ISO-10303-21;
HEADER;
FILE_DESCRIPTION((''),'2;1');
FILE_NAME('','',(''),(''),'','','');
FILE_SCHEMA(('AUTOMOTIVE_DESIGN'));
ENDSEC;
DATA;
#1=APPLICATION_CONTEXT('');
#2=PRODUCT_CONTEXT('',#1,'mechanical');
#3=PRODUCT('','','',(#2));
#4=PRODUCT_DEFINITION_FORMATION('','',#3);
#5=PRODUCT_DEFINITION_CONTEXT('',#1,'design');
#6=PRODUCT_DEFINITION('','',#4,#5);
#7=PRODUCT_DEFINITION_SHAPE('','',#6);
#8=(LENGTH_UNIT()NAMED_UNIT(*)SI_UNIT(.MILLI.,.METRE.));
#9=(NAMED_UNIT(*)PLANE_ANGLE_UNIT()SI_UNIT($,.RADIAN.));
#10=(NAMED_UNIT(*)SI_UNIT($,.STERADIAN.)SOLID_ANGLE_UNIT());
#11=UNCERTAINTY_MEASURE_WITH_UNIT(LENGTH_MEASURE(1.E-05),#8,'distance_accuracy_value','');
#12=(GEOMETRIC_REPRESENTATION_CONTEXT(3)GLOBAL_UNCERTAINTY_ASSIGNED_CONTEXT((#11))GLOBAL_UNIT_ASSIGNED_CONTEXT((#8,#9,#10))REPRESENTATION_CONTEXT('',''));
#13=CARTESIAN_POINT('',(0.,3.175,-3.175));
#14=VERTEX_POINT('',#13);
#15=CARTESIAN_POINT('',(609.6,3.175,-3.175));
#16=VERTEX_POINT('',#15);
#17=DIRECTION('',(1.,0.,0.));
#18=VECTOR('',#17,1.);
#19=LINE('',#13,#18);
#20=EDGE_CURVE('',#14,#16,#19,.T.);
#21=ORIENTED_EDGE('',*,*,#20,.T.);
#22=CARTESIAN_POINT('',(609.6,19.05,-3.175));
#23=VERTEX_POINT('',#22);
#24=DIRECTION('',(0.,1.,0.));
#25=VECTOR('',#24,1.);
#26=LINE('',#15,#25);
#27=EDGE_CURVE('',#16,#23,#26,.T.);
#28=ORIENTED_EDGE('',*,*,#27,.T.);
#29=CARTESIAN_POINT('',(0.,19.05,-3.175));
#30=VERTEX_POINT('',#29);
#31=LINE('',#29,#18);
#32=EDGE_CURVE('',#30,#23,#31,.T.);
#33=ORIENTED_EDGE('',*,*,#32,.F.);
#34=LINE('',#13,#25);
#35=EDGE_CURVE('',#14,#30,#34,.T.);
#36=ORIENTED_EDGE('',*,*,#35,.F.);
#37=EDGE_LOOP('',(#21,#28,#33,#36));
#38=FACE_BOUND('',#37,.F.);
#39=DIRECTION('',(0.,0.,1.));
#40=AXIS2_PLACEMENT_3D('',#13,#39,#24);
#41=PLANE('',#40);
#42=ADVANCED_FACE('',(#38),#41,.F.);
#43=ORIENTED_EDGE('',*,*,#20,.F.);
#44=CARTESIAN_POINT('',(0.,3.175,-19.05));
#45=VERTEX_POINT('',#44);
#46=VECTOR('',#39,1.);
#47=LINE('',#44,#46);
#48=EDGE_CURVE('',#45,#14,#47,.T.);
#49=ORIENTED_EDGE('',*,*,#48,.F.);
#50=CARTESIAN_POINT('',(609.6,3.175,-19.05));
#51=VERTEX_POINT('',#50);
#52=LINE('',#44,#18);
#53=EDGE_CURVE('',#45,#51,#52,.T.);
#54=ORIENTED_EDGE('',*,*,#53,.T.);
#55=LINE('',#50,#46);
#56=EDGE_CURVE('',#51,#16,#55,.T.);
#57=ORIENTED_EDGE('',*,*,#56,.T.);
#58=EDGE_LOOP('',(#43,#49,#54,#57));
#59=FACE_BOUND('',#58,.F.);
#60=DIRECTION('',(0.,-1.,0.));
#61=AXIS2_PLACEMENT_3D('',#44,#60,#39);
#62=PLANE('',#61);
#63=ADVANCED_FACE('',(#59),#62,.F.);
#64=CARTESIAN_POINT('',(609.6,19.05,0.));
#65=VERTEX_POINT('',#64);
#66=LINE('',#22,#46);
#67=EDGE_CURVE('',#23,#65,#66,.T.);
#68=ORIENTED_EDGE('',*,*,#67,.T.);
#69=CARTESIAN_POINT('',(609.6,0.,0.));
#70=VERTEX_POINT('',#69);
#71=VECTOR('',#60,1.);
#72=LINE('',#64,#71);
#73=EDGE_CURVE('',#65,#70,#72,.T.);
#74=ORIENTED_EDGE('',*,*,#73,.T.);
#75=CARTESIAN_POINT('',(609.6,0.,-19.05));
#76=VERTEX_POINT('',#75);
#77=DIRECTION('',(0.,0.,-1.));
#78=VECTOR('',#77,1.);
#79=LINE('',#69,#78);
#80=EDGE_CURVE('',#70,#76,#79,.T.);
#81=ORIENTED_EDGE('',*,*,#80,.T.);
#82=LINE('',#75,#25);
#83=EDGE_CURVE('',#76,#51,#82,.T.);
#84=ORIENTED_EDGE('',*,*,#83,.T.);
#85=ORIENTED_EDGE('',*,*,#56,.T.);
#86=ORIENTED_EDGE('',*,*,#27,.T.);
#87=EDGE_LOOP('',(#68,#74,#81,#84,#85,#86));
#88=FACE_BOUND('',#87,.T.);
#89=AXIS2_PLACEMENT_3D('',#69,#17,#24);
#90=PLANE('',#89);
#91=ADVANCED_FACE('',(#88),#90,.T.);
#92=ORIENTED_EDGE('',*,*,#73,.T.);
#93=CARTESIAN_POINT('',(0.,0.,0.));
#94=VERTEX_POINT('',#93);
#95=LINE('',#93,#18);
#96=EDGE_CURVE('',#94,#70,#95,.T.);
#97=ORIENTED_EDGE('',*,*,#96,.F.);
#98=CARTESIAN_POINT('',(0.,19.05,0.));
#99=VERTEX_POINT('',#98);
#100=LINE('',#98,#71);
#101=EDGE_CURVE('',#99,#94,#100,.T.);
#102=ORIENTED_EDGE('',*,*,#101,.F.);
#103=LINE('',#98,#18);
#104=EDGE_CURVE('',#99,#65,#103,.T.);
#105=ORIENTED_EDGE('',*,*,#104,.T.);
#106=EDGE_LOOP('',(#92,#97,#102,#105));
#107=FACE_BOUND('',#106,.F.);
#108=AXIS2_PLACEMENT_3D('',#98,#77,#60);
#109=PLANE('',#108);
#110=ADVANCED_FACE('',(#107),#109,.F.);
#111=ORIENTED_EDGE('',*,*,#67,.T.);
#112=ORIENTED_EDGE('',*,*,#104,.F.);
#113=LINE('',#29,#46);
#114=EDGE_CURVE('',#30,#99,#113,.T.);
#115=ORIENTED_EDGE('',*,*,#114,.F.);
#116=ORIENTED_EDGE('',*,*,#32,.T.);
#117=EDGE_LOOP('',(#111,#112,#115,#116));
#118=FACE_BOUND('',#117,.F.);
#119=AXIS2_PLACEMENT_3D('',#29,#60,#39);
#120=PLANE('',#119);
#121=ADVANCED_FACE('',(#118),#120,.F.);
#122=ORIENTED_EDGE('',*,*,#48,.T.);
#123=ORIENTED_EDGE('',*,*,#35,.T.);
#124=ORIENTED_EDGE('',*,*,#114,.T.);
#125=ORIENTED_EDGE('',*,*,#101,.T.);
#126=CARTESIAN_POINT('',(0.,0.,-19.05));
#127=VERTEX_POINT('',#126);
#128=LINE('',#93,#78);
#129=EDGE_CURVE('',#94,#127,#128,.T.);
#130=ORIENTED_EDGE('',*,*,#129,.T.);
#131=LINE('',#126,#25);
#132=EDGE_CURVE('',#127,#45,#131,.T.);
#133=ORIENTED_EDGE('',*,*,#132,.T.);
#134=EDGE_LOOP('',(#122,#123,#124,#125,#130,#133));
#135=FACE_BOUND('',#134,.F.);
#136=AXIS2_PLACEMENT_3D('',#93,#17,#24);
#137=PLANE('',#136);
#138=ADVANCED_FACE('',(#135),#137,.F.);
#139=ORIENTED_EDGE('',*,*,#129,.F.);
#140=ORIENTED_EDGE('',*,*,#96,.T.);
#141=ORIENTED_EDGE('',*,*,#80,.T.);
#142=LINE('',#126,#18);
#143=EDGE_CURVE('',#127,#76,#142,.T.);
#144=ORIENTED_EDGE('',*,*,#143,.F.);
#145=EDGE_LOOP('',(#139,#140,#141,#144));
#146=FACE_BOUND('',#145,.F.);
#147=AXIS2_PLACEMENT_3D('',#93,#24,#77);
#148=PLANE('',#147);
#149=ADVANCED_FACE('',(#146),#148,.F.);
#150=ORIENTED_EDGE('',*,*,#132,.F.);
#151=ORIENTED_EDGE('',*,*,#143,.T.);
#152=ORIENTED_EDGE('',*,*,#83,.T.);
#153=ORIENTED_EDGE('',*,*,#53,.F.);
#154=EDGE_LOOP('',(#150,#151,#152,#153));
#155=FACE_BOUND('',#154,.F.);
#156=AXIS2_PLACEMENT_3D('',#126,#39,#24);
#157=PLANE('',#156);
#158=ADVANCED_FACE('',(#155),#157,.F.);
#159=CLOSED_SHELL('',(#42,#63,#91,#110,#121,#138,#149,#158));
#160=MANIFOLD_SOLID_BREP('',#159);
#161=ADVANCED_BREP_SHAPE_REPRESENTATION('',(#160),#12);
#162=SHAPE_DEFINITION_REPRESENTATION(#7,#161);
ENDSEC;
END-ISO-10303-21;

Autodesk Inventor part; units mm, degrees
ref_plane "YZ Plane" through (0, 0, 0) normal (1, 0, 0) x (0, 1, 0)
ref_plane "XZ Plane" through (0, 0, 0) normal (0, 1, 0) x (-1, 0, 0)
ref_plane "XY Plane" through (0, 0, 0) normal (0, 0, 1) x (1, 0, 0)
sketch "Sketch1" plane through (0, 0, 0) normal (1, 0, 0) x (0, 1, 0)
  line L0 (0, 0) -> (0, -19.05)
  line L1 (0, -19.05) -> (3.175, -19.05)
  line L2 (3.175, -19.05) -> (3.175, -3.175)
  line L3 (3.175, -3.175) -> (19.05, -3.175)
  line L4 (19.05, -3.175) -> (19.05, 0)
  line L5 (19.05, 0) -> (0, 0)
  dimension "d0" = 19.05
  dimension "d1" = 3.175
  dimension "d2" = 15.875
  dimension "d3" = 15.875
extrude "Extrusion1" add sketch "Sketch1" along normal blind 609.6
properties part number "LatL24T"
